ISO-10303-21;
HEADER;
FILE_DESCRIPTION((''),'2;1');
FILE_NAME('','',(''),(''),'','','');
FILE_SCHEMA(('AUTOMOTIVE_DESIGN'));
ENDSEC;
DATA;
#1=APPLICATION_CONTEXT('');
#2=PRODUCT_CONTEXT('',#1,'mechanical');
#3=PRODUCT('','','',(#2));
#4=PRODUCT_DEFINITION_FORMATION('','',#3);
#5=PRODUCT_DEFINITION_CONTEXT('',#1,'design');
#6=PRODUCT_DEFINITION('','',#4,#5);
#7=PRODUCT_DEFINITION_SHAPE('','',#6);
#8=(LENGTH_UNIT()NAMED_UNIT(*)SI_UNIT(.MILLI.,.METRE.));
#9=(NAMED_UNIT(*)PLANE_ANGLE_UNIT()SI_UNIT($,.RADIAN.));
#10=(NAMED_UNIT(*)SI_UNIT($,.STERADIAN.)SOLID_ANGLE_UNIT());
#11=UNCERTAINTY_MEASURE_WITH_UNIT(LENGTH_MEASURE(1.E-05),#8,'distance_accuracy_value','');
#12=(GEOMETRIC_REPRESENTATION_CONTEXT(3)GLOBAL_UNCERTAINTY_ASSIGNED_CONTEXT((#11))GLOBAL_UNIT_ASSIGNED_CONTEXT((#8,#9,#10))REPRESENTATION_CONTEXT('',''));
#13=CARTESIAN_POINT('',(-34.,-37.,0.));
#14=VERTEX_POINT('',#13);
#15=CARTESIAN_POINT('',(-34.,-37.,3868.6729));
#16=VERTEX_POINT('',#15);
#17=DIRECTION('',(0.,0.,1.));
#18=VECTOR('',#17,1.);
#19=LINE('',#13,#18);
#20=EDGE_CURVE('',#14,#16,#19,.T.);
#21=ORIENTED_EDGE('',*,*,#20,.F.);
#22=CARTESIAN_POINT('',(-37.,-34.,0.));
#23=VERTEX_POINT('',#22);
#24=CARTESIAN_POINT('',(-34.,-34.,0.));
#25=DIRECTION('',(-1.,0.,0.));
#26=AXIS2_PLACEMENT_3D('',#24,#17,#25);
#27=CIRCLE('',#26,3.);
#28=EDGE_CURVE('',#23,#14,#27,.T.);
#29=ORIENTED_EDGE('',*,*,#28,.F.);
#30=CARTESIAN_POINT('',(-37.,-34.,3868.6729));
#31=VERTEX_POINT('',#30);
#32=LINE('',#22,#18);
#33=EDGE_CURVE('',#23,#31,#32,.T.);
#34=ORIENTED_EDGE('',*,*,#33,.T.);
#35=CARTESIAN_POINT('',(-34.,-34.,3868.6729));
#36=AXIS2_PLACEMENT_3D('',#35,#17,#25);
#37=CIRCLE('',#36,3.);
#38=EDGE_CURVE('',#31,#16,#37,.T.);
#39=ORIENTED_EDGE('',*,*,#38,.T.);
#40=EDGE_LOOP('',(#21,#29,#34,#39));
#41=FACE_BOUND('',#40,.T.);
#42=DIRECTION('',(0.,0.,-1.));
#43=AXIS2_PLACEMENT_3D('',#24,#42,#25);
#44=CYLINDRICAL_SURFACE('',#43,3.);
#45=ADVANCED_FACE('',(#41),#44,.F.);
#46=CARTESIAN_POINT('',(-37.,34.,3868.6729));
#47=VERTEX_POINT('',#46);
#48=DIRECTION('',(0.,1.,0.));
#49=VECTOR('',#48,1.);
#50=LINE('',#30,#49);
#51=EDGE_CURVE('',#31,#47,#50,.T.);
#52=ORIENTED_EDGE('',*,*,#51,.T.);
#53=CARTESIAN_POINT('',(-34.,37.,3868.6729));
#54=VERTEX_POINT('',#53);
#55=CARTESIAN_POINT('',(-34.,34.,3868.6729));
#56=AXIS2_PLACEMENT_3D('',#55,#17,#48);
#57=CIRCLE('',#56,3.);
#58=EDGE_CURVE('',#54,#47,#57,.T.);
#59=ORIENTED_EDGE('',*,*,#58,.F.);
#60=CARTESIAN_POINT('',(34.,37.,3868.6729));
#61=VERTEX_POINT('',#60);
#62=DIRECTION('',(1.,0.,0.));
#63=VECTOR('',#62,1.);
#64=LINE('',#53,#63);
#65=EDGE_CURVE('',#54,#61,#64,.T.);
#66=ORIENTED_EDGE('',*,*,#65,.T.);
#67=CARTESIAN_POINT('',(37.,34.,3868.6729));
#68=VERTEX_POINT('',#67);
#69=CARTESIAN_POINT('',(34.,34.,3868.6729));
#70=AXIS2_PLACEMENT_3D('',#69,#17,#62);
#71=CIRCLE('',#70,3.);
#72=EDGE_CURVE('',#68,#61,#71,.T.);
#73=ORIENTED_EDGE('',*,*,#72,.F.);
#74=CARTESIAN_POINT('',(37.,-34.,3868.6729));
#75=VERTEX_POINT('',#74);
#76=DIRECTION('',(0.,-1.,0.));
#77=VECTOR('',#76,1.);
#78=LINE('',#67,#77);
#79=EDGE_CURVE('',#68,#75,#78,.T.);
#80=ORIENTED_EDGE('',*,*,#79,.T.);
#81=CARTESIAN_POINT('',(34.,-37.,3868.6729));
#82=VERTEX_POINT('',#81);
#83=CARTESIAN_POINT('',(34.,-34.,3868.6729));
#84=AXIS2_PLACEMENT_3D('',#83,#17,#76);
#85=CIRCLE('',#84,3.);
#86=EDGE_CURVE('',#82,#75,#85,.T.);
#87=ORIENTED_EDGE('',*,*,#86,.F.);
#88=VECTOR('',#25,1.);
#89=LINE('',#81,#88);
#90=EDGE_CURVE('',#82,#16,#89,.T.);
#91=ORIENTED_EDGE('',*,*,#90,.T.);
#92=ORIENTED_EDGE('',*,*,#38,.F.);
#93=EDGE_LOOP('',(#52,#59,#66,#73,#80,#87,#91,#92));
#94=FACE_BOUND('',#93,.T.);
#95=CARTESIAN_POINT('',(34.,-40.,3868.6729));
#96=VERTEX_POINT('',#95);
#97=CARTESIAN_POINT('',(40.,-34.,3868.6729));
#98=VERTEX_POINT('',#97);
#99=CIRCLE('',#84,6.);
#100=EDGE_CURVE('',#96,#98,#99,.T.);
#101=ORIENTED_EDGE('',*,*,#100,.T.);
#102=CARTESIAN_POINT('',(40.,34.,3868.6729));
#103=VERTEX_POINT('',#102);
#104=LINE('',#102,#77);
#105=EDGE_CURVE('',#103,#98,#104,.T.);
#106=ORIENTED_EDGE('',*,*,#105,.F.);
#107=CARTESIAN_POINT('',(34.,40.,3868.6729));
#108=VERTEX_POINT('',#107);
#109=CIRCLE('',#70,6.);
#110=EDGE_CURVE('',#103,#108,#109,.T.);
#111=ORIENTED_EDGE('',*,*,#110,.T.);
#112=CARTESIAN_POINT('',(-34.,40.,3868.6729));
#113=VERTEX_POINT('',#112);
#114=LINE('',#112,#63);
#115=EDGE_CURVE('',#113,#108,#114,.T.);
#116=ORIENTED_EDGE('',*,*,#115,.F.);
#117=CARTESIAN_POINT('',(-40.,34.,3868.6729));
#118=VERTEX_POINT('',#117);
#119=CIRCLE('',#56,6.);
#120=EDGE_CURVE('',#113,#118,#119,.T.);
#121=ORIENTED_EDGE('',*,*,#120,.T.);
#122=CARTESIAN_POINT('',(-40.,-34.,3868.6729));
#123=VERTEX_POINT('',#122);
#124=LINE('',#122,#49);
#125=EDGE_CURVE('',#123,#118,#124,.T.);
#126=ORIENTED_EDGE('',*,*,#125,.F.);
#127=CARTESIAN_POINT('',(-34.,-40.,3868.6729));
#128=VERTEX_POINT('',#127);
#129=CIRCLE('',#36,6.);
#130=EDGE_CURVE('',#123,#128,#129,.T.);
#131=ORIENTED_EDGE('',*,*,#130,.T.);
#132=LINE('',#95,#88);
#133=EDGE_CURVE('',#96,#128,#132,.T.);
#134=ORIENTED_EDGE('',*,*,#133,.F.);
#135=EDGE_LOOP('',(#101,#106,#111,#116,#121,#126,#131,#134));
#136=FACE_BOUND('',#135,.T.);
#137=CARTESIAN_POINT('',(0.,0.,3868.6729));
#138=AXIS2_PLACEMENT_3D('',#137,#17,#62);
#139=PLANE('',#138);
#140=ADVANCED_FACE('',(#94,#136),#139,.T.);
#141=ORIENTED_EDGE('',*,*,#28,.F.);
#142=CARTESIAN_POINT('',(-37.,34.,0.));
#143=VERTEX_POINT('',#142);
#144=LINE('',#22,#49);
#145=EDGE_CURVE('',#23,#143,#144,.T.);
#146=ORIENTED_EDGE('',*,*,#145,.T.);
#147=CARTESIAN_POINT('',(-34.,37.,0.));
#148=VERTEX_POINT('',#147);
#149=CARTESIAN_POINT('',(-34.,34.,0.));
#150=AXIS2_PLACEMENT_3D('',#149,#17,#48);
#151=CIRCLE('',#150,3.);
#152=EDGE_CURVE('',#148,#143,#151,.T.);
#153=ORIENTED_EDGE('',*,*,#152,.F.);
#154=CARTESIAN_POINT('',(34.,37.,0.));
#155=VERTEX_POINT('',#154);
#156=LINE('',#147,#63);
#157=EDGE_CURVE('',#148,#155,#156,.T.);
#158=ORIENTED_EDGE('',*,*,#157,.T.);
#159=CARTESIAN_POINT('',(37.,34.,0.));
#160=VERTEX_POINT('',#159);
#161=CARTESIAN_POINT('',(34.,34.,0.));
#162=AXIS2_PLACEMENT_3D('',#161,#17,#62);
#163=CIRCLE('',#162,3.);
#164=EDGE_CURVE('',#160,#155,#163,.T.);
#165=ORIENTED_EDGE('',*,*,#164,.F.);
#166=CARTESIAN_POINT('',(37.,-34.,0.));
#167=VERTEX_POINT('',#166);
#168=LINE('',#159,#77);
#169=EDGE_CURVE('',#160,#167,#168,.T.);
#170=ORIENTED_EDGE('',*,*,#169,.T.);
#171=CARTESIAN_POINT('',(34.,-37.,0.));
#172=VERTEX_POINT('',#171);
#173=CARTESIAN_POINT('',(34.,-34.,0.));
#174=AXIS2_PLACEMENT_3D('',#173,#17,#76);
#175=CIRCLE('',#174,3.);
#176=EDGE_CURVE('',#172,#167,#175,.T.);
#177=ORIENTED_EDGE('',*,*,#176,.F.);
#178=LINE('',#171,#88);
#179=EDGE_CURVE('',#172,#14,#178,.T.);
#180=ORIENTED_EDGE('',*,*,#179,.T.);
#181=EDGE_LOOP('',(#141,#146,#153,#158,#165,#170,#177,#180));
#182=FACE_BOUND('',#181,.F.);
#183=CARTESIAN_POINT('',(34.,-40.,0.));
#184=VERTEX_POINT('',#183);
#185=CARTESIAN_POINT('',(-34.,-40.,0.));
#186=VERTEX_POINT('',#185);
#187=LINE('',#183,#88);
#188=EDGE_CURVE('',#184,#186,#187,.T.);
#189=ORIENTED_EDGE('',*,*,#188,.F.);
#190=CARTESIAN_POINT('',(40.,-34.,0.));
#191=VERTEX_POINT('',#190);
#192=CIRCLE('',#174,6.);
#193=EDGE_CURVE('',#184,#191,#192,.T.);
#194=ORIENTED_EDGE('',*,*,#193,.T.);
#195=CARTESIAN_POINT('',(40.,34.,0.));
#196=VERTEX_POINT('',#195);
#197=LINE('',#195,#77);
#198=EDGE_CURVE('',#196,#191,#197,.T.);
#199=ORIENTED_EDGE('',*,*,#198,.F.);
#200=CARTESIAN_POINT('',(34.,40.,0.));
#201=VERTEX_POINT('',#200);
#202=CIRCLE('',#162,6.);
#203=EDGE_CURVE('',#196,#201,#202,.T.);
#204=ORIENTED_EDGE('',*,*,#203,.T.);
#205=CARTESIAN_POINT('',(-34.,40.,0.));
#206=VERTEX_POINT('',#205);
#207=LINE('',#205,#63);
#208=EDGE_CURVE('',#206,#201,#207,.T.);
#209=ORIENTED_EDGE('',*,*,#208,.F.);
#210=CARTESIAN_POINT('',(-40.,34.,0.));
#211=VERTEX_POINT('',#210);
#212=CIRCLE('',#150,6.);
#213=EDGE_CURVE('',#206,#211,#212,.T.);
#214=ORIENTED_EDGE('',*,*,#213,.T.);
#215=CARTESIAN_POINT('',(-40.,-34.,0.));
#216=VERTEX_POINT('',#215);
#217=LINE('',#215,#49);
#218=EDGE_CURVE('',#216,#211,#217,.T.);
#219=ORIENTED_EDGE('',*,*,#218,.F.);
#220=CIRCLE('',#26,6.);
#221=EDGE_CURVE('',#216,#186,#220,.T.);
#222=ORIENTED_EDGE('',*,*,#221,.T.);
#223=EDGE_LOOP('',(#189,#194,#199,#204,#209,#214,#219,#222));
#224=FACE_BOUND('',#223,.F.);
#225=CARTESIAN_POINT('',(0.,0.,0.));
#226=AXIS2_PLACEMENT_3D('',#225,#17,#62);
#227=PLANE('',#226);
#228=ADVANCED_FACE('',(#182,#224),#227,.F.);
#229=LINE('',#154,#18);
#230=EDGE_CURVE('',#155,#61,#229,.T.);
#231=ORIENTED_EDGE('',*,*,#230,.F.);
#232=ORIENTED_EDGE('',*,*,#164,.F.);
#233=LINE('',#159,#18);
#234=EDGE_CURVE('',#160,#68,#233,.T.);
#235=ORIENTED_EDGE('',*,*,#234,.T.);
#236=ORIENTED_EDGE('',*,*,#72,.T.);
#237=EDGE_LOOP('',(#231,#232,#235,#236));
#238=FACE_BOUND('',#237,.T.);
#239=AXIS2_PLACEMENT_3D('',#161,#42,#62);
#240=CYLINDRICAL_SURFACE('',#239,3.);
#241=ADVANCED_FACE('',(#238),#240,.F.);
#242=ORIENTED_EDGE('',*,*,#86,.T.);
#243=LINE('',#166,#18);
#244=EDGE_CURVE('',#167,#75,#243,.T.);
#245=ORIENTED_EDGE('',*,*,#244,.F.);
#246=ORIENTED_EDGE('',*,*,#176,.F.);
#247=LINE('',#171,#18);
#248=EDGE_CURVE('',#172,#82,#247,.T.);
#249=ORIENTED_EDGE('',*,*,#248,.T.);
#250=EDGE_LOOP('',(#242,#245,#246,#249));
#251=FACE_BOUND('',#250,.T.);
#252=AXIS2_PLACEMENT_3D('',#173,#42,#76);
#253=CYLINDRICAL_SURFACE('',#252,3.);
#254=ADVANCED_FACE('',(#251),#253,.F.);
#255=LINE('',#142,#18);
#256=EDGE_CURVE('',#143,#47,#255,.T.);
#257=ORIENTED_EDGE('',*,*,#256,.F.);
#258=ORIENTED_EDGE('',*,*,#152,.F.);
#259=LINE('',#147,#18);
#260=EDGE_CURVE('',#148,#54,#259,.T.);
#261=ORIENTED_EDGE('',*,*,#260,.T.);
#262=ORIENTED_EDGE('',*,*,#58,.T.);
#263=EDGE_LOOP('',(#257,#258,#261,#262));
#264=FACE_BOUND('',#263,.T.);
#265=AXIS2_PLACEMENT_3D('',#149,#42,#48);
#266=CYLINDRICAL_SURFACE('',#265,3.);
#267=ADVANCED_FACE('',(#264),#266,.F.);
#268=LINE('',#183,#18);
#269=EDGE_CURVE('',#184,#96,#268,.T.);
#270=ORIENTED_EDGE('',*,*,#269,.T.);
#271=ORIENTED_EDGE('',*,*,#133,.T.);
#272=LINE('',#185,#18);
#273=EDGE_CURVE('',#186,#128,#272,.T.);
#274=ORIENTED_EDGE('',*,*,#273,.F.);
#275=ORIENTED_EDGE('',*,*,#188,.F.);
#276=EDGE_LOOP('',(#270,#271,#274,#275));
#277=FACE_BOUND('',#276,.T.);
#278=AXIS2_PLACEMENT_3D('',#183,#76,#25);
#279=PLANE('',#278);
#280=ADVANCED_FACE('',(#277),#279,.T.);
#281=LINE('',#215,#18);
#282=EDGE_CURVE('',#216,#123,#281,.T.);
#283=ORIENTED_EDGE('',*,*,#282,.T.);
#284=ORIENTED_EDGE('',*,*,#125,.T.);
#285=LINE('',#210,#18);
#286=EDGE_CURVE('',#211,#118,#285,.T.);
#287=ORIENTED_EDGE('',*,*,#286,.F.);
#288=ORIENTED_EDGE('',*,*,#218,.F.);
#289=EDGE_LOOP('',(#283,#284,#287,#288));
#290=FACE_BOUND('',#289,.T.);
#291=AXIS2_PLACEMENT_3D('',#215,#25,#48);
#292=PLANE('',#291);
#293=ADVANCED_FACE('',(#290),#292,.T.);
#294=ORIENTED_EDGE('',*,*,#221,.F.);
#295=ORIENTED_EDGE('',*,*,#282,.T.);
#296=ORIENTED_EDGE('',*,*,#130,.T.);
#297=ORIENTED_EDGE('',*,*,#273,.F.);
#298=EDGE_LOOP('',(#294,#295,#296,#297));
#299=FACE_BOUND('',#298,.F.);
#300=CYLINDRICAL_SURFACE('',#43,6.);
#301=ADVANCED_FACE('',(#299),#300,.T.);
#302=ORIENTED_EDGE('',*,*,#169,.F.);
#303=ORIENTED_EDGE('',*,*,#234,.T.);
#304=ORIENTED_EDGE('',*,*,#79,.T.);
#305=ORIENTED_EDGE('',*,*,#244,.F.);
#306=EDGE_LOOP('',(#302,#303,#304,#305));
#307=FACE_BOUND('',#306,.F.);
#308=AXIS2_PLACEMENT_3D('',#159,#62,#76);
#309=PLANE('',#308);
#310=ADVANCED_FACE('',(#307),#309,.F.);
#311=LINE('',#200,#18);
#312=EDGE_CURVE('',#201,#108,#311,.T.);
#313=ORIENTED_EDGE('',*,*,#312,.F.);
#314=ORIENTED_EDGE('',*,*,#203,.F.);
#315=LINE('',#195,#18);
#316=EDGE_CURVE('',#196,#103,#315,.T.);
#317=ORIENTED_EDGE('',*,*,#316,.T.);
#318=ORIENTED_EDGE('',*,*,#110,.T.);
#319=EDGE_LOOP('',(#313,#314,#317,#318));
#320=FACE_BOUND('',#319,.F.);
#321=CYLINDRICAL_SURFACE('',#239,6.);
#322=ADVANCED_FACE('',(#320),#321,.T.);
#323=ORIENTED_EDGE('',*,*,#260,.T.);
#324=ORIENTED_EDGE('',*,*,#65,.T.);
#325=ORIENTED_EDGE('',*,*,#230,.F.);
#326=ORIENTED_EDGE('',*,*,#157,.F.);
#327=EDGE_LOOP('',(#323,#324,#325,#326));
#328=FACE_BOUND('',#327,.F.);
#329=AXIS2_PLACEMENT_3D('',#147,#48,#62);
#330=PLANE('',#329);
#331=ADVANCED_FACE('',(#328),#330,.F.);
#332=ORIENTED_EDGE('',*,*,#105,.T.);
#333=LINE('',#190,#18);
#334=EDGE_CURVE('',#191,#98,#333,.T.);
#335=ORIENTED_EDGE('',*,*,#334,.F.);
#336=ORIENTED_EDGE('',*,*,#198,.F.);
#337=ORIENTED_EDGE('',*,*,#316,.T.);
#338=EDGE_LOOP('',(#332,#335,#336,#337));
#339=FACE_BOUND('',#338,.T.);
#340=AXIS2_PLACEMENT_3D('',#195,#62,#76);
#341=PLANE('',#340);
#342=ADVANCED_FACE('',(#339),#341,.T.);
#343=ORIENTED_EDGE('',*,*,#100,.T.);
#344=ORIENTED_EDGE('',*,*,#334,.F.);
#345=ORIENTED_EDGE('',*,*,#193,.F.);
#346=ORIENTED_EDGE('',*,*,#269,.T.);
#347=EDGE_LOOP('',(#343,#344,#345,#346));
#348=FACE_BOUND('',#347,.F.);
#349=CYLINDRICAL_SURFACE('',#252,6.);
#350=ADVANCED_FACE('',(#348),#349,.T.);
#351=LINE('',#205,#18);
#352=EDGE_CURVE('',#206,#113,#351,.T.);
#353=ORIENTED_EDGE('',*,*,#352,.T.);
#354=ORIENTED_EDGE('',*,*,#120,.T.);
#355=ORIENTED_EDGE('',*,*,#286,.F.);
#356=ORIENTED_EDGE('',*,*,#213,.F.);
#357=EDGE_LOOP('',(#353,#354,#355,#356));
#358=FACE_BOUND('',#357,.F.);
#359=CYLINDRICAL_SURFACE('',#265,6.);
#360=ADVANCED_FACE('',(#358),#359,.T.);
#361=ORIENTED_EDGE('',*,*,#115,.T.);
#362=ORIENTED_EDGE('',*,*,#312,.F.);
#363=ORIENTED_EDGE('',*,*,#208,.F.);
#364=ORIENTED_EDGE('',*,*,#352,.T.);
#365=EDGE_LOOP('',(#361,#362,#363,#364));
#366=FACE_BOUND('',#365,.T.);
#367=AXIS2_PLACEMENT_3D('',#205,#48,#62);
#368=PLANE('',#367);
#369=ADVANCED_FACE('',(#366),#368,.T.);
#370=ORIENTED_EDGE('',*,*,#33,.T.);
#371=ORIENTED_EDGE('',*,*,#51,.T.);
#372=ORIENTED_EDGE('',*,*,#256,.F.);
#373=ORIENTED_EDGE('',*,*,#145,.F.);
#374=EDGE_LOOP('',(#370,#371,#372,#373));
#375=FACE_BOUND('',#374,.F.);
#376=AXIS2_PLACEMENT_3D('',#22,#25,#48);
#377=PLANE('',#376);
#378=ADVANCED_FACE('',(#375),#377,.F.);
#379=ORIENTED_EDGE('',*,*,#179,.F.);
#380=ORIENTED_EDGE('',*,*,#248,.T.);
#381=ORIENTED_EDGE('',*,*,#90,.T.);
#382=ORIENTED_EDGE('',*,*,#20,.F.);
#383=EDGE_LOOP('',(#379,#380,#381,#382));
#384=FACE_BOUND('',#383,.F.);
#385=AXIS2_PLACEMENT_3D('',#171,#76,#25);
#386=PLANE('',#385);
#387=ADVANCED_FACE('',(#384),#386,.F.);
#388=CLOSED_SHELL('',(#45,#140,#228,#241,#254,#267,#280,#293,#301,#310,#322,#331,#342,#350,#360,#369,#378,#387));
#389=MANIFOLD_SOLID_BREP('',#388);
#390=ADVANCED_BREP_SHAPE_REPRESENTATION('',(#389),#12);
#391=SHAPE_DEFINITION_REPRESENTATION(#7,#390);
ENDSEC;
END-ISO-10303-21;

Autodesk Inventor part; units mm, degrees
ref_plane "YZ Plane" through (0, 0, 0) normal (1, 0, 0) x (0, 1, 0)
ref_plane "Start Plane" through (0, 0, 0) normal (0, 0, 1) x (1, 0, 0)
ref_plane "End Plane" through (0, 0, 3868.6729) normal (0, 0, 1) x (1, 0, 0)
sketch "Sketch" plane through (0, 0, 0) normal (0, 0, 1) x (1, 0, 0)
  line L0 (-40, -34) -> (-40, 34)
  line L1 (-34, 40) -> (34, 40)
  line L2 (40, 34) -> (40, -34)
  line L3 (34, -40) -> (-34, -40)
  arc A0 (-40, -34) -> (-34, -40) centre (-34, -34) ccw
  arc A1 (40, 34) -> (34, 40) centre (34, 34) ccw
  arc A2 (-34, 40) -> (-40, 34) centre (-34, 34) ccw
  arc A3 (34, -40) -> (40, -34) centre (34, -34) ccw
  arc A4 (-34, 37) -> (-37, 34) centre (-34, 34) ccw
  line L4 (-34, 37) -> (34, 37)
  arc A5 (37, 34) -> (34, 37) centre (34, 34) ccw
  line L5 (37, 34) -> (37, -34)
  arc A6 (34, -37) -> (37, -34) centre (34, -34) ccw
  line L6 (34, -37) -> (-34, -37)
  arc A7 (-37, -34) -> (-34, -37) centre (-34, -34) ccw
  line L7 (-37, -34) -> (-37, 34)
  line L8 (0, 57.7397) -> (0, -57.7397) construction
  line L9 (-57.7397, 0) -> (57.7397, 0) construction
  dimension "d7" = 6
  dimension "d9" = 80
  dimension "d11" = 80
  dimension "d12" = 3
  dimension "d15" = 40
  dimension "d16" = 40
extrude "Body" add sketch "Sketch" along normal up to surface (3868.6729 mm away) from surface at 0
sketch "Sketch3" plane through (0, 0, 0) normal (0, 0, 1) x (1, 0, 0)
  line L0 (0, 0) -> (10, 0)
ref_plane "Work Plane3" through (0, 0, 0) normal (0, -1, 0) x (1, 0, 0)
sketch "Sketch4" plane through (0, 0, 0) normal (0, -1, 0) x (1, 0, 0)
  line L0 (-2, 0) -> (12, 0) projected
  line L1 (-2, 3868.6729) -> (12, 3868.6729) projected
  dimension "d18" = 3868.673
equation "\"d7\" = G_IR"
equation "\"d9\" = G_W"
equation "\"d11\" = G_H"
equation "\"d12\" = G_T"
equation "\"d15\" = 0.5 * d9"
equation "\"d16\" = 0.5 * d11"
equation "\"d3\" = G_L"
equation "\"G_W\" = 80"
equation "\"G_H\" = 80"
equation "\"G_T\" = 3"
equation "\"G_IR\" = 6"
equation "\"G_L\" = d18"
equation "\"G_OFFSET_START\" = 0"
equation "\"G_OFFSET_END\" = 0"
equation "\"d14\" = G_OFFSET_END + B_L"
equation "\"B_L\" = 3868.67295"
properties part number "ISO 10799-2 - 80x80x3 - 3868,67" material "Steel, Mild"
